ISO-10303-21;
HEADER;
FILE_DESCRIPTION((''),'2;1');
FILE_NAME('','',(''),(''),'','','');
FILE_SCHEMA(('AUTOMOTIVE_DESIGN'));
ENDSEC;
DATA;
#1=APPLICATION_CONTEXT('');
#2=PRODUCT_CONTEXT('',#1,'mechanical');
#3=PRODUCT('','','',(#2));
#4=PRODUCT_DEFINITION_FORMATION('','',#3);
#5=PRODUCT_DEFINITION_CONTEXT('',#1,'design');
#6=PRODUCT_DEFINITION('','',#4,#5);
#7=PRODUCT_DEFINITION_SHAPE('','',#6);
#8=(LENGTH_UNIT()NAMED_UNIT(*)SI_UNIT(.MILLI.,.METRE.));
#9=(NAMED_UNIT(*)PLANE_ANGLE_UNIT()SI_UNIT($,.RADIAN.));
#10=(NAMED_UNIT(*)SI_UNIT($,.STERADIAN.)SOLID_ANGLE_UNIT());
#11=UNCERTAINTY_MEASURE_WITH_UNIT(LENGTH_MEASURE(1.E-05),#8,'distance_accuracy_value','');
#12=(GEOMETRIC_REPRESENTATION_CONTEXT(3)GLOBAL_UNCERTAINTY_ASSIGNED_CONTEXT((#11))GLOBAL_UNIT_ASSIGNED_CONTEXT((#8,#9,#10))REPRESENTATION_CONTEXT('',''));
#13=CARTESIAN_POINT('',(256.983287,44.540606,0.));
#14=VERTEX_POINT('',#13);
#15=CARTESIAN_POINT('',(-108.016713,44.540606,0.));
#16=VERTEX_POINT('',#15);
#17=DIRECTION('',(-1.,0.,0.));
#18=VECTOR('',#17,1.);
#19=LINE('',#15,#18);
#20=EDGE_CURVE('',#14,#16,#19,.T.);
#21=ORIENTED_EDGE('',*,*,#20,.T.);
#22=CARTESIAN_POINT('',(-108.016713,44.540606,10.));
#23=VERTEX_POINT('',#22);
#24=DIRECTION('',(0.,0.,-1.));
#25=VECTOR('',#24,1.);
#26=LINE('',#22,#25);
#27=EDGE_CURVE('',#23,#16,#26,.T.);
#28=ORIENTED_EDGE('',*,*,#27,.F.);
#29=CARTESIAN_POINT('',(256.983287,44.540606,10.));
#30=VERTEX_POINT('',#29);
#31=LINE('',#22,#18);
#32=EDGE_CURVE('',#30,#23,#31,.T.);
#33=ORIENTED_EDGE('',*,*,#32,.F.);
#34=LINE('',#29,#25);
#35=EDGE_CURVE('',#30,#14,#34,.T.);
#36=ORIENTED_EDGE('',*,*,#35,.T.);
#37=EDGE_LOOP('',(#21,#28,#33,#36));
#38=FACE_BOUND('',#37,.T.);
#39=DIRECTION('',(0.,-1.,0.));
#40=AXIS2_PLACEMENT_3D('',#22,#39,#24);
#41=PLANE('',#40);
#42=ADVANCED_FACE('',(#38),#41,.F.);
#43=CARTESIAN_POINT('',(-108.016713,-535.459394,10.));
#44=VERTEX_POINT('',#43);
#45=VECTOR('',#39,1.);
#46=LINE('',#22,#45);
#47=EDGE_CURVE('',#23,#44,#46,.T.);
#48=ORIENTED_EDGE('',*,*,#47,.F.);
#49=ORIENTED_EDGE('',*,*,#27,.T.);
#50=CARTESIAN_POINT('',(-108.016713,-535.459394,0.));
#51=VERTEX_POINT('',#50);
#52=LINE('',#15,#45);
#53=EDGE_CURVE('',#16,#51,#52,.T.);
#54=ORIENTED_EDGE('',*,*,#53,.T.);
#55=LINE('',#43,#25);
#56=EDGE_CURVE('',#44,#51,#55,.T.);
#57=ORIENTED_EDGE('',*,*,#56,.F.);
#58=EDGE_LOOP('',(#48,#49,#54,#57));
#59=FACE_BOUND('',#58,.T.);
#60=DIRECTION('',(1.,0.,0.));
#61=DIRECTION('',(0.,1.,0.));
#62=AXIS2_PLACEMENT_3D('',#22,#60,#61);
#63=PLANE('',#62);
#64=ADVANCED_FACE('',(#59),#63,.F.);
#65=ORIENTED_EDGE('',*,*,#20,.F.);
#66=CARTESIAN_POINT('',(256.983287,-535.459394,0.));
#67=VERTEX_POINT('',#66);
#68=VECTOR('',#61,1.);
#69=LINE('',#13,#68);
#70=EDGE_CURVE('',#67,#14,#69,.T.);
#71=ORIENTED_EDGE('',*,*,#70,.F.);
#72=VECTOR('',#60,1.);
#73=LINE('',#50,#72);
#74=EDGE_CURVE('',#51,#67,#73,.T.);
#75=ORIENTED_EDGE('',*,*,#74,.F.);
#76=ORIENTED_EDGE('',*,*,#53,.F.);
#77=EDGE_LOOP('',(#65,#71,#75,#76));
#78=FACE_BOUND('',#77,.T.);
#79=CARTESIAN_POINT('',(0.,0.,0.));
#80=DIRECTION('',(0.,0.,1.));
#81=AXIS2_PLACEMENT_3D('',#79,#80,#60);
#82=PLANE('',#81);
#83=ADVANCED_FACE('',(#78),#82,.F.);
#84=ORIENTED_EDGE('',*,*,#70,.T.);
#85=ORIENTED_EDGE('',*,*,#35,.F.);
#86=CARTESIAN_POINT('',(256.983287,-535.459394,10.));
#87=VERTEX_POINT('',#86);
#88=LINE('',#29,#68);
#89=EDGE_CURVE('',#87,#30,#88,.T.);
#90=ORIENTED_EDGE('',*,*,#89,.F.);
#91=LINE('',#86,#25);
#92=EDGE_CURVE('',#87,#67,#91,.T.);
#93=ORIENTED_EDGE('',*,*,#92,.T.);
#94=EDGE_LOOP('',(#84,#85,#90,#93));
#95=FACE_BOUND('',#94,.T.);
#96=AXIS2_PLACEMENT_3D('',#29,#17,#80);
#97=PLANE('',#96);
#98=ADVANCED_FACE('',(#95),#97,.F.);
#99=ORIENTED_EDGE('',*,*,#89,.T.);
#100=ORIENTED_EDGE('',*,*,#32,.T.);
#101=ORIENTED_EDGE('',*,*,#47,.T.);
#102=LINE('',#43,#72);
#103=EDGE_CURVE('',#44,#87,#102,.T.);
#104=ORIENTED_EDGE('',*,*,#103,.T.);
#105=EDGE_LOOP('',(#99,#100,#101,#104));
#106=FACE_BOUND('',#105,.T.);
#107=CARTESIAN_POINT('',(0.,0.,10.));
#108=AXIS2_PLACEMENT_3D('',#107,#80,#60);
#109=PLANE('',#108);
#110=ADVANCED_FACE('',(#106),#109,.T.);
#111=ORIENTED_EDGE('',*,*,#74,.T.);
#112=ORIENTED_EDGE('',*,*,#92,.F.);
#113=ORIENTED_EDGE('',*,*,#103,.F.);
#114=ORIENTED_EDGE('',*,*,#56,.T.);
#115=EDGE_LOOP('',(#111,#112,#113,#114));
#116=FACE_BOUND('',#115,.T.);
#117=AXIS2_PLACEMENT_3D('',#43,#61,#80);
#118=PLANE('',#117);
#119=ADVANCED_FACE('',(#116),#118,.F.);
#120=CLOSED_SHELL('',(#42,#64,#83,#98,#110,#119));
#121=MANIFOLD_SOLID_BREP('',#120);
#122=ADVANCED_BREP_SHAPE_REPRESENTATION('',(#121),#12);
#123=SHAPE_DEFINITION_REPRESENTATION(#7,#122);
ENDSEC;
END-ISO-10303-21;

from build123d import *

# Parameters (mm, degrees)
ESQUISSE1_W        = 365
ESQUISSE1_H        = 580
BOSS_EXTRU_1_DEPTH = 10


with BuildPart() as part:
    # Esquisse1 → Boss.-Extru.1 (new body)
    with BuildSketch(Plane.XY):
        with Locations((74.483287049, -245.459393579)):
            Rectangle(ESQUISSE1_W, ESQUISSE1_H)
    extrude(amount=BOSS_EXTRU_1_DEPTH)


solid = part.part
